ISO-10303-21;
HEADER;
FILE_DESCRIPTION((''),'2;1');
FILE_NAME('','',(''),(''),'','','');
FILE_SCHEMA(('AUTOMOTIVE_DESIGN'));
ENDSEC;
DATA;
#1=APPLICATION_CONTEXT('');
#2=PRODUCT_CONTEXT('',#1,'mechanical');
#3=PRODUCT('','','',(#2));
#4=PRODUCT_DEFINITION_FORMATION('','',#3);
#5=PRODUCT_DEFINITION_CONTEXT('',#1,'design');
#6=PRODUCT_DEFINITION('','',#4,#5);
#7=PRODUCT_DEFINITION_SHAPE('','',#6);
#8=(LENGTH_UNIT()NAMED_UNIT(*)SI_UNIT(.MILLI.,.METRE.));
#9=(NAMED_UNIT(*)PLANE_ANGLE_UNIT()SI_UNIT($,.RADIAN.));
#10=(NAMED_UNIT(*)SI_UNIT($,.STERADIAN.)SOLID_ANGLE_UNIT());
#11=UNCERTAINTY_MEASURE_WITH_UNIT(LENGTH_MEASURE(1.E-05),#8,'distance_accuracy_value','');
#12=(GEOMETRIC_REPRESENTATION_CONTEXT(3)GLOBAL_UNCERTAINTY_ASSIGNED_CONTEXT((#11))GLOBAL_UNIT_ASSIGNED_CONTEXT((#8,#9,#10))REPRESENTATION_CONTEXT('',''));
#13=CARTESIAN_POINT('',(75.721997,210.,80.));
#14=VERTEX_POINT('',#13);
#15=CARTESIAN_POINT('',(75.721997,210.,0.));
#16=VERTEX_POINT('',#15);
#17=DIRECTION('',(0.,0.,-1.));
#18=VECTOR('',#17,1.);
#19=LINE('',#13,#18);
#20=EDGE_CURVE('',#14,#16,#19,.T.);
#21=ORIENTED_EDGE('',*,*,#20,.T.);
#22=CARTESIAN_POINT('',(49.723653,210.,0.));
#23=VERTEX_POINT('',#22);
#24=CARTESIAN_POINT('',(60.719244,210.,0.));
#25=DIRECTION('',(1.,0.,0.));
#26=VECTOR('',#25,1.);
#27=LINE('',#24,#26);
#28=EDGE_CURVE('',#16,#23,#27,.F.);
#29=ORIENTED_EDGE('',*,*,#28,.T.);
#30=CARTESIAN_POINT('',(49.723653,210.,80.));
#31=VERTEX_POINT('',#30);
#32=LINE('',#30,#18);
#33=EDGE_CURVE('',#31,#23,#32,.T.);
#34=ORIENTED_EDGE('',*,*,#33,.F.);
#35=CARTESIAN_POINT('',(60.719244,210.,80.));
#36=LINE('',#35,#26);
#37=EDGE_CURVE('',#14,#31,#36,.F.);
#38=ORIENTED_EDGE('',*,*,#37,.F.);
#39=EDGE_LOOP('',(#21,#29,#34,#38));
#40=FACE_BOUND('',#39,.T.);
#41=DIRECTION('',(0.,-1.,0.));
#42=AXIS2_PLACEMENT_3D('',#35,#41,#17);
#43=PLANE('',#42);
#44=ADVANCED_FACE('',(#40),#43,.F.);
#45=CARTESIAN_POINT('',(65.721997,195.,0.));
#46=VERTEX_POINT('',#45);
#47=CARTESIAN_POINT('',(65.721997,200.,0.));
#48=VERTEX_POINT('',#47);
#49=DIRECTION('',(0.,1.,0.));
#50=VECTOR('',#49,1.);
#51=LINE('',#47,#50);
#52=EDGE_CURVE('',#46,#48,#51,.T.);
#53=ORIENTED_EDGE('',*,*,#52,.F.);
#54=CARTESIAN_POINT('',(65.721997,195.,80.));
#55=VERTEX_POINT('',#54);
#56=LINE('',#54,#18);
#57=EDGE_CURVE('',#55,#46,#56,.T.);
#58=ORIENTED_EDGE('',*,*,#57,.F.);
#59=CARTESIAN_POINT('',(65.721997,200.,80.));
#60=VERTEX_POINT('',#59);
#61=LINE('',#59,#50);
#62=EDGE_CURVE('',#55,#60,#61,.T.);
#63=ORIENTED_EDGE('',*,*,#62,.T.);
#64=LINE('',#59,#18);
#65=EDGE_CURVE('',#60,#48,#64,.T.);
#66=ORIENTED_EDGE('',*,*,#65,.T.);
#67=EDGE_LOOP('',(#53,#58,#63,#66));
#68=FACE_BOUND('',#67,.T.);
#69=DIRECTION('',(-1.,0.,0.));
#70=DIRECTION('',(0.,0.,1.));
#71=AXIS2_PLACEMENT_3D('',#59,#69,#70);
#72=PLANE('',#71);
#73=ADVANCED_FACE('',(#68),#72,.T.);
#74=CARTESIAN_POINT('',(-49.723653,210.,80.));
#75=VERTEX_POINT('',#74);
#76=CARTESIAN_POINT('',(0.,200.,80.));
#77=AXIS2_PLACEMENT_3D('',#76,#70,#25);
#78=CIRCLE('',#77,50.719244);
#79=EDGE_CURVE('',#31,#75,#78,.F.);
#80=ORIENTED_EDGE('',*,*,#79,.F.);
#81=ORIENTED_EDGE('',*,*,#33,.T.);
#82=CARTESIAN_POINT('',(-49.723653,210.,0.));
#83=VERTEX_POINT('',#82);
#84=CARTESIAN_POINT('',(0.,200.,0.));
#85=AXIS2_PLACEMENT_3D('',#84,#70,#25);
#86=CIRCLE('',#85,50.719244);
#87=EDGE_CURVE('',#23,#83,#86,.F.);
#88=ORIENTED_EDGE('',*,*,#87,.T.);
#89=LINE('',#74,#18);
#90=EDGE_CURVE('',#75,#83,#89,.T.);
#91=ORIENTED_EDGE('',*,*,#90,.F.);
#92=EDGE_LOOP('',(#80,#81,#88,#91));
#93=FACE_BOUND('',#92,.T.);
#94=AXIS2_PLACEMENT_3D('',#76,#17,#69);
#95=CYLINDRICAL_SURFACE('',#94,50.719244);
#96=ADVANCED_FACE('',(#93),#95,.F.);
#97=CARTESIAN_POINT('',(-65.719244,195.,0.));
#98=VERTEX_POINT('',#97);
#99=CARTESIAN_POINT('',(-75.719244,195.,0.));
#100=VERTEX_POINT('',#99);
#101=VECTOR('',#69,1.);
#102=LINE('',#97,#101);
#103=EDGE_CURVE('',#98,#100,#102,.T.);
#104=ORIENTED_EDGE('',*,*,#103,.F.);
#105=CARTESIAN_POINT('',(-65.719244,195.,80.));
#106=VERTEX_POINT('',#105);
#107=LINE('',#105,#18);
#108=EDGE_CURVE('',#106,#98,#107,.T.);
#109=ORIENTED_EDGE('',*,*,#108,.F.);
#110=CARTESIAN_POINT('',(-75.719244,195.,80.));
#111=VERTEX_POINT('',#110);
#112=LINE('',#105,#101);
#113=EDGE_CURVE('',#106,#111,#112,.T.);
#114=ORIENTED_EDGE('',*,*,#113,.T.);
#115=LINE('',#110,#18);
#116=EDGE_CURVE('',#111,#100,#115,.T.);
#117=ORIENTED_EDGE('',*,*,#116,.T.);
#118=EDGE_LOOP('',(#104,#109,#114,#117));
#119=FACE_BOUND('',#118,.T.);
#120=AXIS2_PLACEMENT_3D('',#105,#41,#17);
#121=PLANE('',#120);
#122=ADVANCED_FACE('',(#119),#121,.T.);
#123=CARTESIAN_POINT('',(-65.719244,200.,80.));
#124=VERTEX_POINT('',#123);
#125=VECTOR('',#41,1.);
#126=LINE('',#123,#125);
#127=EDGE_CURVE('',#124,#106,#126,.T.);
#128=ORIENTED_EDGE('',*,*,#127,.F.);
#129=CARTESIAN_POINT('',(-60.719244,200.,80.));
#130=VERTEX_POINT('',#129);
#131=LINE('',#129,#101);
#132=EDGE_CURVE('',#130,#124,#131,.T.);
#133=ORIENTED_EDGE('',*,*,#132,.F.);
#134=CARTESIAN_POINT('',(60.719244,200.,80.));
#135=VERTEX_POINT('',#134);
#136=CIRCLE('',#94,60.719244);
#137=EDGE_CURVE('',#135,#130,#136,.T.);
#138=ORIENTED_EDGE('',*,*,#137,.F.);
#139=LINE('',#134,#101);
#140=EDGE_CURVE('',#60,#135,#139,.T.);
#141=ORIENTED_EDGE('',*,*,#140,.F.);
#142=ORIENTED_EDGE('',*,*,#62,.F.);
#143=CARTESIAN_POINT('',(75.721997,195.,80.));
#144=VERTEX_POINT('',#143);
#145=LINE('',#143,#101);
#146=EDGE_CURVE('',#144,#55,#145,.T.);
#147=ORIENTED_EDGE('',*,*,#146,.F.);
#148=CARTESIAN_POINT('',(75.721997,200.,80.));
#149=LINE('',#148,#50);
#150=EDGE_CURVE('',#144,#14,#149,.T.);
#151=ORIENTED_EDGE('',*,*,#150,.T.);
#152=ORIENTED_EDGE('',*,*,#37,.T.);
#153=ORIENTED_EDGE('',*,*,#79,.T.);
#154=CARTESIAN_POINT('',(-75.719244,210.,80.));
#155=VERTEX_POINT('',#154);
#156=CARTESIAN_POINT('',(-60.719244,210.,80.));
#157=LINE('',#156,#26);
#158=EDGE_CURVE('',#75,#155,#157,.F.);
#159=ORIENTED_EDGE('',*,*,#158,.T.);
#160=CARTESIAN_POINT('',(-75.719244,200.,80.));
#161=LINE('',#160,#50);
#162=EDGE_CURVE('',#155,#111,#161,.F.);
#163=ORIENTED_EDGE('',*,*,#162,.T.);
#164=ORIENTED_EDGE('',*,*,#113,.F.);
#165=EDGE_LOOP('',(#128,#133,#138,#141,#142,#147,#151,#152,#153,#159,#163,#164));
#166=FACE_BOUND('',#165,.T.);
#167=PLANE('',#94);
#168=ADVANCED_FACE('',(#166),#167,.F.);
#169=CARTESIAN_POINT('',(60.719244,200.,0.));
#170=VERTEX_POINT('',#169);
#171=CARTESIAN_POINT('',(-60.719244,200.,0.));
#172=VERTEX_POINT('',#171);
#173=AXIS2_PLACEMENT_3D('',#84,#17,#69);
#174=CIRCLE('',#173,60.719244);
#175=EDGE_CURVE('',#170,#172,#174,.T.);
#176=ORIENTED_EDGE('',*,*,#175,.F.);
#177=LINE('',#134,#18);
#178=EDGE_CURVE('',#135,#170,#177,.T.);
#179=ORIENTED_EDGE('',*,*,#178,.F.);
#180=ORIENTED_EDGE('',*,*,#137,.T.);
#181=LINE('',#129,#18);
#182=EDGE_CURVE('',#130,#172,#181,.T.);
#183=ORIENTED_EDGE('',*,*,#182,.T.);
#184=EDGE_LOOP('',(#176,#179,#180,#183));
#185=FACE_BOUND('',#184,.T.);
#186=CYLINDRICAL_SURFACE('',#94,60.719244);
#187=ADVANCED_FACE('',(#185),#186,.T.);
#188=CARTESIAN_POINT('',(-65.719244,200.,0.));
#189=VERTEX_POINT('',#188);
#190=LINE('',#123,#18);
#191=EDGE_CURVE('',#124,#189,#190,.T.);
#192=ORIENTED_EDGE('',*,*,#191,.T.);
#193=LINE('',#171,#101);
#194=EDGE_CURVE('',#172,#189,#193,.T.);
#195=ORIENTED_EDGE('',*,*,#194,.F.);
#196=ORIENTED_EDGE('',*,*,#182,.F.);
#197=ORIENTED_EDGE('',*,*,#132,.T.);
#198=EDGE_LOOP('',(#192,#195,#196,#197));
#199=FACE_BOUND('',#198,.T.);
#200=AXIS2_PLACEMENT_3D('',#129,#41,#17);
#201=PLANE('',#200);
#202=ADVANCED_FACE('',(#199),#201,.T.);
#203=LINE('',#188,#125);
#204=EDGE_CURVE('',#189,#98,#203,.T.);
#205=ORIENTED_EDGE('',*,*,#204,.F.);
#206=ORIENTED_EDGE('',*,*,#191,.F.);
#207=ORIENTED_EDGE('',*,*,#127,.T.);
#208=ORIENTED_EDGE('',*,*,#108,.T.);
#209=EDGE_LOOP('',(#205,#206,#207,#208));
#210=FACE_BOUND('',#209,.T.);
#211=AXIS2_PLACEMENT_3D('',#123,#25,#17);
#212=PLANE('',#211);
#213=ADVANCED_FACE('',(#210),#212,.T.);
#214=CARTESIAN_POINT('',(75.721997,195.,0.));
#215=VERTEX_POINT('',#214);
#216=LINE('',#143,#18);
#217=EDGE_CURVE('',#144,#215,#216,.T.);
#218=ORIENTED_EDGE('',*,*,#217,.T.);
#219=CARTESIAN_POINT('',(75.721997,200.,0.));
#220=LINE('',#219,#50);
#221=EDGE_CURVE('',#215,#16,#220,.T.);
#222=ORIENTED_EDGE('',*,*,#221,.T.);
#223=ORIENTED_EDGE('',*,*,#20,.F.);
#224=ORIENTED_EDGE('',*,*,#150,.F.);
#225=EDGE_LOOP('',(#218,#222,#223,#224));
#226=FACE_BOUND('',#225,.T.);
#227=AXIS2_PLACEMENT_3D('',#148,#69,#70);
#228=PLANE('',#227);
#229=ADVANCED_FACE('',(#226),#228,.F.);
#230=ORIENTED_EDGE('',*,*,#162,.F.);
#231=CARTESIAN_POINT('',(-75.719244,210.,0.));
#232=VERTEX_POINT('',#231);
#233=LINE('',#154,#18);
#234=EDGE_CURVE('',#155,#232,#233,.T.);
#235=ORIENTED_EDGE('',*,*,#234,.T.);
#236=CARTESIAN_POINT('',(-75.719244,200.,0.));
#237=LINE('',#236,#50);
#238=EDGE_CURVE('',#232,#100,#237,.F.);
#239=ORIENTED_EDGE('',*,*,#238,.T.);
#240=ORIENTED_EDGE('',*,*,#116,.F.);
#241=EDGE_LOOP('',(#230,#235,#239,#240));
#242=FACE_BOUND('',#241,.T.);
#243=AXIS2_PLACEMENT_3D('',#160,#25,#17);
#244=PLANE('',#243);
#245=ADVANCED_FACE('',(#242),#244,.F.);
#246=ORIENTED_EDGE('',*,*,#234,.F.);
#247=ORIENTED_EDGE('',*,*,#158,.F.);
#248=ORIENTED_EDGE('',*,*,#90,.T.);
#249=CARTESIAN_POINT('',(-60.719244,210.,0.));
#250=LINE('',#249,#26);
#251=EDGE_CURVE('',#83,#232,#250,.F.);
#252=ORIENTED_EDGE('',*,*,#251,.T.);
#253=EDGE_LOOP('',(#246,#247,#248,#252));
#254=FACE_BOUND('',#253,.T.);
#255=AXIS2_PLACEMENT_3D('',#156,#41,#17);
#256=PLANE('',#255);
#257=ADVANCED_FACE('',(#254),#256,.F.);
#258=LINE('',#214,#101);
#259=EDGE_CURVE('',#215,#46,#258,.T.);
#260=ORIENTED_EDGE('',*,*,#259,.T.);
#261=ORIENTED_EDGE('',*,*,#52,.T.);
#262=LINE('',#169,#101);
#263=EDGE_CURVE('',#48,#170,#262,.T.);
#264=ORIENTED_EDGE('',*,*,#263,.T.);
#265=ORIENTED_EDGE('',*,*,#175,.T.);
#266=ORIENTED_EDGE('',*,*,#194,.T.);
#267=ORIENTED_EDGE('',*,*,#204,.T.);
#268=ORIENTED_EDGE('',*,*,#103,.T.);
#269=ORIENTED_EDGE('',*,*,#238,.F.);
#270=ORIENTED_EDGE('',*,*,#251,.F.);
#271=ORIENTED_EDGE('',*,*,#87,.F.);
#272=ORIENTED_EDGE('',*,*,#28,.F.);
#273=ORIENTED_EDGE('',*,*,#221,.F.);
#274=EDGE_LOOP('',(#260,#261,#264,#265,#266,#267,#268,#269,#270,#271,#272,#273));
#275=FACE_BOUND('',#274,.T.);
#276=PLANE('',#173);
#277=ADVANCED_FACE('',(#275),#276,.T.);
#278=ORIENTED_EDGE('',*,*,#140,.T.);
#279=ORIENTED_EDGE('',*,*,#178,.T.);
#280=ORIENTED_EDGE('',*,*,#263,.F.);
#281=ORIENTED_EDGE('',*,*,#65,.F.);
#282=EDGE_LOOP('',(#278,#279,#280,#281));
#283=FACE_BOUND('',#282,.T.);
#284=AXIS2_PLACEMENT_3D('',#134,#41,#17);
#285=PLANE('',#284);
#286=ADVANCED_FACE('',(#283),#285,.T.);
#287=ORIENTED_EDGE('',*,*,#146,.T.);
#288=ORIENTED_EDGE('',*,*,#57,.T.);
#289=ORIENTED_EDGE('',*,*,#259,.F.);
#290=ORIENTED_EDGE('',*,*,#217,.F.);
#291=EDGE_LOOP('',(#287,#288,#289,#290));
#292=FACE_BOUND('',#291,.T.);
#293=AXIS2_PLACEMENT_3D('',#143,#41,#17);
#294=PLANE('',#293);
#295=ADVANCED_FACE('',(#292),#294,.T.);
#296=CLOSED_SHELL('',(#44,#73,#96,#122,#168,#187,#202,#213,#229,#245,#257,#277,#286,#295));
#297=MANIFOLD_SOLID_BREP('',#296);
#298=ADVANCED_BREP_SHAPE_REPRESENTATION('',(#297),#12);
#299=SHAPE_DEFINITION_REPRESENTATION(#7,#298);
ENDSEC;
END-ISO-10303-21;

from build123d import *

# Parameters (mm, degrees)
EXTRUDE_THIN1_DEPTH = 80


with BuildPart() as part:
    # Sketch1 → Extrude-Thin1 (new body)
    with BuildSketch(Plane.XY):
        with BuildLine():
            Line((-65.719243559, 195), (-65.719243559, 200))
            Line((-65.719243559, 200), (-60.719243559, 200))
            ThreePointArc((-60.719243559, 200), (0, 139.280756441), (60.719243559, 200))
            Line((60.719243559, 200), (65.721997063, 200))
            Line((65.721997063, 200), (65.721997063, 195))
            Line((65.721997063, 195), (75.721997063, 195))
            Line((75.721997063, 195), (75.721997063, 210))
            Line((75.721997063, 210), (49.723652996, 210))
            ThreePointArc((49.723652996, 210), (0, 149.280756441), (-49.723652996, 210))
            Line((-49.723652996, 210), (-75.719243559, 210))
            Line((-75.719243559, 210), (-75.719243559, 195))
            Line((-75.719243559, 195), (-65.719243559, 195))
        make_face()
    extrude(amount=EXTRUDE_THIN1_DEPTH)


solid = part.part
